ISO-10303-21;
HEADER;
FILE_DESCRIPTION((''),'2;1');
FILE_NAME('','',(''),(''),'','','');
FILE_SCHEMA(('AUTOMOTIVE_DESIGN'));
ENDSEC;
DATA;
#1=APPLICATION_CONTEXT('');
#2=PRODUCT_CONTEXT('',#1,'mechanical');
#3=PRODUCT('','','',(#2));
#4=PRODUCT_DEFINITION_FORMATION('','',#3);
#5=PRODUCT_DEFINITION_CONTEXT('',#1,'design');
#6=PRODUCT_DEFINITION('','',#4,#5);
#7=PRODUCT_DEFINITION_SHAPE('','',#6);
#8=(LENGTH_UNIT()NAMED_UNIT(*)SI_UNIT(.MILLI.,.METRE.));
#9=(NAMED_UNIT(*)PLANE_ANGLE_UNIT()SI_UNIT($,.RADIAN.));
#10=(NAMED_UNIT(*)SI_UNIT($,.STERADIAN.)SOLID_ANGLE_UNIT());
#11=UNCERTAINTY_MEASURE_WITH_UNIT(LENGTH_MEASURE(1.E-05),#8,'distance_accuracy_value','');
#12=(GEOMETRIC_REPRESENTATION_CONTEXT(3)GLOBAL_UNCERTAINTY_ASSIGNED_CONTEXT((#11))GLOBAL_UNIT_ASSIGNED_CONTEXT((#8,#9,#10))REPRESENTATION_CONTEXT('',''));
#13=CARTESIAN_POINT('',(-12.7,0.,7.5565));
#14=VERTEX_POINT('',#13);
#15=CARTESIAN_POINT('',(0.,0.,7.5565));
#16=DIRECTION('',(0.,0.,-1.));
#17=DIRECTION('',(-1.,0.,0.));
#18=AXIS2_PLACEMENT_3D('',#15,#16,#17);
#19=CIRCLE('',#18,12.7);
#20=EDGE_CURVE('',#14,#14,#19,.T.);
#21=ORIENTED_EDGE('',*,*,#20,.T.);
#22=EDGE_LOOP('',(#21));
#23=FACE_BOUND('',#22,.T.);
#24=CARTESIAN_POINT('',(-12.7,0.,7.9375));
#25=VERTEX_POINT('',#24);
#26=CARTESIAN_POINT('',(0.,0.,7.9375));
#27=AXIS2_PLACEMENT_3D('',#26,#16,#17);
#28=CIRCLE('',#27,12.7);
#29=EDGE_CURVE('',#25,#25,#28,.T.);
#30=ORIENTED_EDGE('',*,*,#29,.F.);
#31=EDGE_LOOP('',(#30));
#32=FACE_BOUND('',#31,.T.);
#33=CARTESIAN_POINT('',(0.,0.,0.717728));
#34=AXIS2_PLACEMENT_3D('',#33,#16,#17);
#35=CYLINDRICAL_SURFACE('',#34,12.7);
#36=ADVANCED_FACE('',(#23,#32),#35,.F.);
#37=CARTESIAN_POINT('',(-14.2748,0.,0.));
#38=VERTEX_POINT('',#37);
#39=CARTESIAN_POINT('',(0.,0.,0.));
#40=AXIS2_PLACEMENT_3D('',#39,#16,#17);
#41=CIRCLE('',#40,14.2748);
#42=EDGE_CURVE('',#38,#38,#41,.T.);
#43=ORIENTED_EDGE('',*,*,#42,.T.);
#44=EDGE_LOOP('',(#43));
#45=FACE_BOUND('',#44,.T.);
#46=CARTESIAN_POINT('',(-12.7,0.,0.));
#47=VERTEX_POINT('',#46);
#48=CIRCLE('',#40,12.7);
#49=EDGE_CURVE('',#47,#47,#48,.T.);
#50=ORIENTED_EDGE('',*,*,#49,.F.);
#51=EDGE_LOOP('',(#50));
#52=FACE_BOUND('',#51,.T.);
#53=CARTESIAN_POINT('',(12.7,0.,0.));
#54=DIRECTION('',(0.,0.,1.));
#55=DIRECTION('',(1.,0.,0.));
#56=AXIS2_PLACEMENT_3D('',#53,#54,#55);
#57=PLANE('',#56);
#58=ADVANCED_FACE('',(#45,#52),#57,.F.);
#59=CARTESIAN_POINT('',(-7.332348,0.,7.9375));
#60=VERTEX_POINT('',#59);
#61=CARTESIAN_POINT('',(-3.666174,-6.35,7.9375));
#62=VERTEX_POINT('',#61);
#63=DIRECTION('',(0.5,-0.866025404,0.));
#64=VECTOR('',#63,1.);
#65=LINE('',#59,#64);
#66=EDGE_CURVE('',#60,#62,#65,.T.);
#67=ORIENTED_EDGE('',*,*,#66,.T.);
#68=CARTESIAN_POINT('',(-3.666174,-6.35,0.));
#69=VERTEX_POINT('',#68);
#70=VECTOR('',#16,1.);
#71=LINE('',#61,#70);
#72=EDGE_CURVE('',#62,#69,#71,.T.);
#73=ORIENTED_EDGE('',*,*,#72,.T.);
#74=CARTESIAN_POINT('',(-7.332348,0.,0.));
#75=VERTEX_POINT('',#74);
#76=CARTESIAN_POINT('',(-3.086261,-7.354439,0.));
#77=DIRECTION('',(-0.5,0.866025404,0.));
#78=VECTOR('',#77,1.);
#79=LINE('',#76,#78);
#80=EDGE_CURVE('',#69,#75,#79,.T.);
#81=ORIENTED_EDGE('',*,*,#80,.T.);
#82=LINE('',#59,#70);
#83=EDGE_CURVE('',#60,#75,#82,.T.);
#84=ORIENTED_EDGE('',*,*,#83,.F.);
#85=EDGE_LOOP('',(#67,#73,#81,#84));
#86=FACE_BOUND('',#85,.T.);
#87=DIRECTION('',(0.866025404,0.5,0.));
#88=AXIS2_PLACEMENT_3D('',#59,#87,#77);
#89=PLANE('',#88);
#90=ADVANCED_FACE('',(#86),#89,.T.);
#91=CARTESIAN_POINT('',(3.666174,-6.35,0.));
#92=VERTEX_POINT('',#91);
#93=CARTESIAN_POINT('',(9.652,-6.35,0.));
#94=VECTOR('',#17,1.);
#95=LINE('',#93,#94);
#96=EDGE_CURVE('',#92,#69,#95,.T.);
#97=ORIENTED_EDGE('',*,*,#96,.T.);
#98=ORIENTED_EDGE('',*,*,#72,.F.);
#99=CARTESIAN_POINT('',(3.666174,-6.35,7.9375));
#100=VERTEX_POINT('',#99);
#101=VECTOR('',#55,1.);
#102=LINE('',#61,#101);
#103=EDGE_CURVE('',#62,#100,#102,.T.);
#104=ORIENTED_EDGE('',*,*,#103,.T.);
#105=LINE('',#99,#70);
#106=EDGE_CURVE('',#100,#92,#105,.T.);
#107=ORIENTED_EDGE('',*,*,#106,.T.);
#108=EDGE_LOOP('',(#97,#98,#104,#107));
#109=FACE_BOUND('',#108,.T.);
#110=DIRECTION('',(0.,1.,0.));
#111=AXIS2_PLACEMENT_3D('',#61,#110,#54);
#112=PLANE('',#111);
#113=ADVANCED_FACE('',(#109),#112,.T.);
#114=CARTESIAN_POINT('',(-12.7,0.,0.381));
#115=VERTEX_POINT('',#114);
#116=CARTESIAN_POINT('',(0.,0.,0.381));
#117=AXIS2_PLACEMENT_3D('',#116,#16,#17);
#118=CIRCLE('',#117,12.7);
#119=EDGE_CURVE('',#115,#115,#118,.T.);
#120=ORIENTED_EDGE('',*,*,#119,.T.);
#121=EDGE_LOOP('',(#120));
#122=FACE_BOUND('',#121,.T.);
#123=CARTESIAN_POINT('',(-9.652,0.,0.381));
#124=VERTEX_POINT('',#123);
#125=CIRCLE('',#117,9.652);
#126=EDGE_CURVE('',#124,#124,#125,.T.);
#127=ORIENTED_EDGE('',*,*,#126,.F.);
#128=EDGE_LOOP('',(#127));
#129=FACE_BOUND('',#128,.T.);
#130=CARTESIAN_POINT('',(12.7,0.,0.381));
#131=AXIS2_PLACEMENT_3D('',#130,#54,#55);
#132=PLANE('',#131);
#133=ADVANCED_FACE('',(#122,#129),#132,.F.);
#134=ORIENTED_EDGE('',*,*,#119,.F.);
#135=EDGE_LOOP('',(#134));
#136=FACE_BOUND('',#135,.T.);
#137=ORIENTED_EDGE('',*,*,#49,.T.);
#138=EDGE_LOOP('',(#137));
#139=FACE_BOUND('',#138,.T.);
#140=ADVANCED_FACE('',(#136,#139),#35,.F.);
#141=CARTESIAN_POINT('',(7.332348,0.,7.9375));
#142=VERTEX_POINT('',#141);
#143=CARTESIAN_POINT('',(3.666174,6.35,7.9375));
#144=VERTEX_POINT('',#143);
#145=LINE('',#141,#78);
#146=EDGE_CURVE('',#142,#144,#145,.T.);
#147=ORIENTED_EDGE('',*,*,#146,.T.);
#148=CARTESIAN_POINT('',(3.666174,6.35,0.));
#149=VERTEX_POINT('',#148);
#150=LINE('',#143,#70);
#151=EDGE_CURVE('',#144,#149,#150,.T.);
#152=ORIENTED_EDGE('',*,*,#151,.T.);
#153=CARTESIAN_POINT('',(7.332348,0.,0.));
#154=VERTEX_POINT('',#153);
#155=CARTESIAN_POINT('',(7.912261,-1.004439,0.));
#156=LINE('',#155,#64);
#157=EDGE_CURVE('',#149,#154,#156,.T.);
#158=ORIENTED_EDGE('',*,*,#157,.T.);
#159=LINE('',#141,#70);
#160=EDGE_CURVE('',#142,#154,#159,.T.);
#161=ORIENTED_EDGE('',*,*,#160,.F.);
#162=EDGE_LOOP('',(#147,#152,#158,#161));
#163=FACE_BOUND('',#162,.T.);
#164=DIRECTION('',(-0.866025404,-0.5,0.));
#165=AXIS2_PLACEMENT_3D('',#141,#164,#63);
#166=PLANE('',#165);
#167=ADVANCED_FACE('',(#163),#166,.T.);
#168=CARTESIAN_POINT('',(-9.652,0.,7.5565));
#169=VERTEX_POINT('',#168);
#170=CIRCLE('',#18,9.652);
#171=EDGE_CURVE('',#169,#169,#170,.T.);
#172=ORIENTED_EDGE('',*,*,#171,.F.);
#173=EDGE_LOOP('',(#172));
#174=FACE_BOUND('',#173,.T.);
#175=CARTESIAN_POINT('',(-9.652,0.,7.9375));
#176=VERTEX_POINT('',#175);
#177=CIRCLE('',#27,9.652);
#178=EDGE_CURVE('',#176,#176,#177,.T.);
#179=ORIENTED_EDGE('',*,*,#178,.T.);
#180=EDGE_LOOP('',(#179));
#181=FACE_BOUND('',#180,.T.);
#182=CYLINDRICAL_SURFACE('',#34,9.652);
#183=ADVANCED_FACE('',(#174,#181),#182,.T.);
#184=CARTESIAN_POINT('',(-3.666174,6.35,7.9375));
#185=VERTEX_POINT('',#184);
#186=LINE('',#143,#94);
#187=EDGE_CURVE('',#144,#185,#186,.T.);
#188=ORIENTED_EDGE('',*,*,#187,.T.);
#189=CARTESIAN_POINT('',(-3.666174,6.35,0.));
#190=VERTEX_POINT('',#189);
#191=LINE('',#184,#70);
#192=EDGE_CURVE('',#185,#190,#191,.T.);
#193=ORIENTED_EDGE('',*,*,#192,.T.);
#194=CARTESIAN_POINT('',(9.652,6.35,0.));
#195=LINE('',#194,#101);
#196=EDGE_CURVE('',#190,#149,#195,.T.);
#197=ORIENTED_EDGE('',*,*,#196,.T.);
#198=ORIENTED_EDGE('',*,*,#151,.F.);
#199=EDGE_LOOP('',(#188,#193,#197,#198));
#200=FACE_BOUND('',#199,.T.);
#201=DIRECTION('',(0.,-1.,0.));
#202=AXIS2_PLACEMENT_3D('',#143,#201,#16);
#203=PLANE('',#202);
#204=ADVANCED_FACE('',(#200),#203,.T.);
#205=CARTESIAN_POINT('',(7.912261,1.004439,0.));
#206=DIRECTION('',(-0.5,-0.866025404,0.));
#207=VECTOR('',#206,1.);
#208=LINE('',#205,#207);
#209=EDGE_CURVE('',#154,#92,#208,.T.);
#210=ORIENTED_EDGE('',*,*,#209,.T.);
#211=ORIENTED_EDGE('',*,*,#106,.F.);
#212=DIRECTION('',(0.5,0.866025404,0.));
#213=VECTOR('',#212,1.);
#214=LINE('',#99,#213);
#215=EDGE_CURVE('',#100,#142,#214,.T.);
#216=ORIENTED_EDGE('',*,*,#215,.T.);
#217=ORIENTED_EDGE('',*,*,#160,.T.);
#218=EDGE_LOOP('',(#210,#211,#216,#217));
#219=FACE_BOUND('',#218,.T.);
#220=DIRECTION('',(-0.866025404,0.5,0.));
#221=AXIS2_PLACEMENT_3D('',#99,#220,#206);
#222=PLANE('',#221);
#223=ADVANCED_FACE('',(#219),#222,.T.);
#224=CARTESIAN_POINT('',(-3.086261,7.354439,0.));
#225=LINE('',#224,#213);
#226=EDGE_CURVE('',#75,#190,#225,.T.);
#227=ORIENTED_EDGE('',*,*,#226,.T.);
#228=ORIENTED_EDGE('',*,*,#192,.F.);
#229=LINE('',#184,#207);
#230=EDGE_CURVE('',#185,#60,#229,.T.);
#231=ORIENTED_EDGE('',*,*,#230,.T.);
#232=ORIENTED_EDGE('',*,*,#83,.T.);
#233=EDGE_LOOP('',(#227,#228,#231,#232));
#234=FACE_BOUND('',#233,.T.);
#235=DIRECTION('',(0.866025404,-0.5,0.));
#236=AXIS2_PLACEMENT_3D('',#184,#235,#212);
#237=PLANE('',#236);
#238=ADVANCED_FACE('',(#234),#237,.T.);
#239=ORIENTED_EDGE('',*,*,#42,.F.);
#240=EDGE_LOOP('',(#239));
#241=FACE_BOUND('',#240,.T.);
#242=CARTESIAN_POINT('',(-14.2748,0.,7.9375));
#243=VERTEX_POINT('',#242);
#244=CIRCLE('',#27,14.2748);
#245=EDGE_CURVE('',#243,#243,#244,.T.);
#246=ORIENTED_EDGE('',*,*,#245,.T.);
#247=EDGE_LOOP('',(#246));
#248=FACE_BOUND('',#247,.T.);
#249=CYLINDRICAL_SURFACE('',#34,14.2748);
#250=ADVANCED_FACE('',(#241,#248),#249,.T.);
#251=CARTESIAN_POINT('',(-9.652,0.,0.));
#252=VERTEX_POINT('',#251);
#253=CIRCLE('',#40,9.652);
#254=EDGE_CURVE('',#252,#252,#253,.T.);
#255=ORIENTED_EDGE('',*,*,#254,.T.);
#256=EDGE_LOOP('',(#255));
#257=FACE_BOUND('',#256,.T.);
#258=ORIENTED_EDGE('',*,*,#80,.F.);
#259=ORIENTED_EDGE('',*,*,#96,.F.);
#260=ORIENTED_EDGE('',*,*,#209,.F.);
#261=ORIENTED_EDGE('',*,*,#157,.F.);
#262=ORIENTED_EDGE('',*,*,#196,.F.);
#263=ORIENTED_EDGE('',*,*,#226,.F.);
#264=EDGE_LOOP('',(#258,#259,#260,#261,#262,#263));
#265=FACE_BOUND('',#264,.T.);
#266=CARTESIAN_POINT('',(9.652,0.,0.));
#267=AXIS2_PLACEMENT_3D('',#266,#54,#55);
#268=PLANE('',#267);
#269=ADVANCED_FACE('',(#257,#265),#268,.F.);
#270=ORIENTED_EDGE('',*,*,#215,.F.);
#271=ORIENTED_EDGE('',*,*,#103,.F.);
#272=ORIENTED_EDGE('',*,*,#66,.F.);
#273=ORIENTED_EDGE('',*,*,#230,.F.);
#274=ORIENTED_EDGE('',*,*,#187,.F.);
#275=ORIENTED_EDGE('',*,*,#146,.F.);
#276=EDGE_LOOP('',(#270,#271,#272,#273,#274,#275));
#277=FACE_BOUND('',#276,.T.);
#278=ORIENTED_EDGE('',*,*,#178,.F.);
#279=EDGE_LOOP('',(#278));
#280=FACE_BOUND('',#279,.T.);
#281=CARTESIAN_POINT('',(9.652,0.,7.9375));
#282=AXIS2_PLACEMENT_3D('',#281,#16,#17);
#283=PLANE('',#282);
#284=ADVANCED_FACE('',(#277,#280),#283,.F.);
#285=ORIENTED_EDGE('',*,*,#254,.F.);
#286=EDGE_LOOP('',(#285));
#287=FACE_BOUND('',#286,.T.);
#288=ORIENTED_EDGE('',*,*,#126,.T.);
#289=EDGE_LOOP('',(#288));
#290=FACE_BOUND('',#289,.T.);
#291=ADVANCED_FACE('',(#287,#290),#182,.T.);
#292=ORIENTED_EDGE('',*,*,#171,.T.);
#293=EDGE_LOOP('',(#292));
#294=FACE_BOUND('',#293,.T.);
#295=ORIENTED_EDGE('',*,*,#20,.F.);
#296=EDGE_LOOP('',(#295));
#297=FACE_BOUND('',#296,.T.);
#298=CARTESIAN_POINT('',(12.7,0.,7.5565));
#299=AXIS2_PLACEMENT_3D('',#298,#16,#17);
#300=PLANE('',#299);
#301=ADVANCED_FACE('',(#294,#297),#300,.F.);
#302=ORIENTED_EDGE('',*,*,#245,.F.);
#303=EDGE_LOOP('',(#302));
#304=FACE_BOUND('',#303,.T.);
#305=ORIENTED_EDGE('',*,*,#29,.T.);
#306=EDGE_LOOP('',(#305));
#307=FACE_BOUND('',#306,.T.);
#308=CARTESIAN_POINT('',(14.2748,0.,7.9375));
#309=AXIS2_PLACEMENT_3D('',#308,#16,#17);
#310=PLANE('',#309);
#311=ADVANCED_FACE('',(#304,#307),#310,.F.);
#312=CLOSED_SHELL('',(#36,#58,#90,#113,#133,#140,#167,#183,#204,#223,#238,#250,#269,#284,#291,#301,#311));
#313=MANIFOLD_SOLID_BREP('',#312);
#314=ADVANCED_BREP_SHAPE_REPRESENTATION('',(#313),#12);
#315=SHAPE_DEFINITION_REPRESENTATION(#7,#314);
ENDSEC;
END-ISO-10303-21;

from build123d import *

# Parameters (mm, degrees)
CUT_EXTRUDE6_DEPTH      = 22.692020107
CUT_EXTRUDE6_DEPTH_BACK = 22.692020107


with BuildPart() as part:
    # Sketch11 → Revolve3 (revolve)
    with BuildSketch(Plane(origin=(0, 0, 0), x_dir=(1, 0, 0), z_dir=(0, 1, 0))):
        Polygon((14.2748, -7.9375), (14.2748, -2.4010112), (14.2748, 0), (12.7, 0), (12.7, -0.381), (9.652, -0.381), (9.652, 0), (0, 0), (0, -7.9375), (9.652, -7.9375), (9.652, -7.5565), (12.7, -7.5565), (12.7, -7.9375), align=None)
    revolve(axis=Axis((0, 0, 0.717728402), (0, 0, 1)))

    # Sketch12 → Cut-Extrude6 (cut, two sides: drawn at the far end of the back side and taken through both)
    with BuildSketch(Plane(origin=(0, 0, 0), x_dir=(-1, 0, 0), z_dir=(0, 0, 1)).offset(-CUT_EXTRUDE6_DEPTH_BACK)):
        Polygon((7.332348419, 0), (3.666174209, 6.35), (-3.666174209, 6.35), (-7.332348419, 0), (-3.666174209, -6.35), (3.666174209, -6.35), align=None)
    extrude(amount=CUT_EXTRUDE6_DEPTH + CUT_EXTRUDE6_DEPTH_BACK, mode=Mode.SUBTRACT)


solid = part.part
